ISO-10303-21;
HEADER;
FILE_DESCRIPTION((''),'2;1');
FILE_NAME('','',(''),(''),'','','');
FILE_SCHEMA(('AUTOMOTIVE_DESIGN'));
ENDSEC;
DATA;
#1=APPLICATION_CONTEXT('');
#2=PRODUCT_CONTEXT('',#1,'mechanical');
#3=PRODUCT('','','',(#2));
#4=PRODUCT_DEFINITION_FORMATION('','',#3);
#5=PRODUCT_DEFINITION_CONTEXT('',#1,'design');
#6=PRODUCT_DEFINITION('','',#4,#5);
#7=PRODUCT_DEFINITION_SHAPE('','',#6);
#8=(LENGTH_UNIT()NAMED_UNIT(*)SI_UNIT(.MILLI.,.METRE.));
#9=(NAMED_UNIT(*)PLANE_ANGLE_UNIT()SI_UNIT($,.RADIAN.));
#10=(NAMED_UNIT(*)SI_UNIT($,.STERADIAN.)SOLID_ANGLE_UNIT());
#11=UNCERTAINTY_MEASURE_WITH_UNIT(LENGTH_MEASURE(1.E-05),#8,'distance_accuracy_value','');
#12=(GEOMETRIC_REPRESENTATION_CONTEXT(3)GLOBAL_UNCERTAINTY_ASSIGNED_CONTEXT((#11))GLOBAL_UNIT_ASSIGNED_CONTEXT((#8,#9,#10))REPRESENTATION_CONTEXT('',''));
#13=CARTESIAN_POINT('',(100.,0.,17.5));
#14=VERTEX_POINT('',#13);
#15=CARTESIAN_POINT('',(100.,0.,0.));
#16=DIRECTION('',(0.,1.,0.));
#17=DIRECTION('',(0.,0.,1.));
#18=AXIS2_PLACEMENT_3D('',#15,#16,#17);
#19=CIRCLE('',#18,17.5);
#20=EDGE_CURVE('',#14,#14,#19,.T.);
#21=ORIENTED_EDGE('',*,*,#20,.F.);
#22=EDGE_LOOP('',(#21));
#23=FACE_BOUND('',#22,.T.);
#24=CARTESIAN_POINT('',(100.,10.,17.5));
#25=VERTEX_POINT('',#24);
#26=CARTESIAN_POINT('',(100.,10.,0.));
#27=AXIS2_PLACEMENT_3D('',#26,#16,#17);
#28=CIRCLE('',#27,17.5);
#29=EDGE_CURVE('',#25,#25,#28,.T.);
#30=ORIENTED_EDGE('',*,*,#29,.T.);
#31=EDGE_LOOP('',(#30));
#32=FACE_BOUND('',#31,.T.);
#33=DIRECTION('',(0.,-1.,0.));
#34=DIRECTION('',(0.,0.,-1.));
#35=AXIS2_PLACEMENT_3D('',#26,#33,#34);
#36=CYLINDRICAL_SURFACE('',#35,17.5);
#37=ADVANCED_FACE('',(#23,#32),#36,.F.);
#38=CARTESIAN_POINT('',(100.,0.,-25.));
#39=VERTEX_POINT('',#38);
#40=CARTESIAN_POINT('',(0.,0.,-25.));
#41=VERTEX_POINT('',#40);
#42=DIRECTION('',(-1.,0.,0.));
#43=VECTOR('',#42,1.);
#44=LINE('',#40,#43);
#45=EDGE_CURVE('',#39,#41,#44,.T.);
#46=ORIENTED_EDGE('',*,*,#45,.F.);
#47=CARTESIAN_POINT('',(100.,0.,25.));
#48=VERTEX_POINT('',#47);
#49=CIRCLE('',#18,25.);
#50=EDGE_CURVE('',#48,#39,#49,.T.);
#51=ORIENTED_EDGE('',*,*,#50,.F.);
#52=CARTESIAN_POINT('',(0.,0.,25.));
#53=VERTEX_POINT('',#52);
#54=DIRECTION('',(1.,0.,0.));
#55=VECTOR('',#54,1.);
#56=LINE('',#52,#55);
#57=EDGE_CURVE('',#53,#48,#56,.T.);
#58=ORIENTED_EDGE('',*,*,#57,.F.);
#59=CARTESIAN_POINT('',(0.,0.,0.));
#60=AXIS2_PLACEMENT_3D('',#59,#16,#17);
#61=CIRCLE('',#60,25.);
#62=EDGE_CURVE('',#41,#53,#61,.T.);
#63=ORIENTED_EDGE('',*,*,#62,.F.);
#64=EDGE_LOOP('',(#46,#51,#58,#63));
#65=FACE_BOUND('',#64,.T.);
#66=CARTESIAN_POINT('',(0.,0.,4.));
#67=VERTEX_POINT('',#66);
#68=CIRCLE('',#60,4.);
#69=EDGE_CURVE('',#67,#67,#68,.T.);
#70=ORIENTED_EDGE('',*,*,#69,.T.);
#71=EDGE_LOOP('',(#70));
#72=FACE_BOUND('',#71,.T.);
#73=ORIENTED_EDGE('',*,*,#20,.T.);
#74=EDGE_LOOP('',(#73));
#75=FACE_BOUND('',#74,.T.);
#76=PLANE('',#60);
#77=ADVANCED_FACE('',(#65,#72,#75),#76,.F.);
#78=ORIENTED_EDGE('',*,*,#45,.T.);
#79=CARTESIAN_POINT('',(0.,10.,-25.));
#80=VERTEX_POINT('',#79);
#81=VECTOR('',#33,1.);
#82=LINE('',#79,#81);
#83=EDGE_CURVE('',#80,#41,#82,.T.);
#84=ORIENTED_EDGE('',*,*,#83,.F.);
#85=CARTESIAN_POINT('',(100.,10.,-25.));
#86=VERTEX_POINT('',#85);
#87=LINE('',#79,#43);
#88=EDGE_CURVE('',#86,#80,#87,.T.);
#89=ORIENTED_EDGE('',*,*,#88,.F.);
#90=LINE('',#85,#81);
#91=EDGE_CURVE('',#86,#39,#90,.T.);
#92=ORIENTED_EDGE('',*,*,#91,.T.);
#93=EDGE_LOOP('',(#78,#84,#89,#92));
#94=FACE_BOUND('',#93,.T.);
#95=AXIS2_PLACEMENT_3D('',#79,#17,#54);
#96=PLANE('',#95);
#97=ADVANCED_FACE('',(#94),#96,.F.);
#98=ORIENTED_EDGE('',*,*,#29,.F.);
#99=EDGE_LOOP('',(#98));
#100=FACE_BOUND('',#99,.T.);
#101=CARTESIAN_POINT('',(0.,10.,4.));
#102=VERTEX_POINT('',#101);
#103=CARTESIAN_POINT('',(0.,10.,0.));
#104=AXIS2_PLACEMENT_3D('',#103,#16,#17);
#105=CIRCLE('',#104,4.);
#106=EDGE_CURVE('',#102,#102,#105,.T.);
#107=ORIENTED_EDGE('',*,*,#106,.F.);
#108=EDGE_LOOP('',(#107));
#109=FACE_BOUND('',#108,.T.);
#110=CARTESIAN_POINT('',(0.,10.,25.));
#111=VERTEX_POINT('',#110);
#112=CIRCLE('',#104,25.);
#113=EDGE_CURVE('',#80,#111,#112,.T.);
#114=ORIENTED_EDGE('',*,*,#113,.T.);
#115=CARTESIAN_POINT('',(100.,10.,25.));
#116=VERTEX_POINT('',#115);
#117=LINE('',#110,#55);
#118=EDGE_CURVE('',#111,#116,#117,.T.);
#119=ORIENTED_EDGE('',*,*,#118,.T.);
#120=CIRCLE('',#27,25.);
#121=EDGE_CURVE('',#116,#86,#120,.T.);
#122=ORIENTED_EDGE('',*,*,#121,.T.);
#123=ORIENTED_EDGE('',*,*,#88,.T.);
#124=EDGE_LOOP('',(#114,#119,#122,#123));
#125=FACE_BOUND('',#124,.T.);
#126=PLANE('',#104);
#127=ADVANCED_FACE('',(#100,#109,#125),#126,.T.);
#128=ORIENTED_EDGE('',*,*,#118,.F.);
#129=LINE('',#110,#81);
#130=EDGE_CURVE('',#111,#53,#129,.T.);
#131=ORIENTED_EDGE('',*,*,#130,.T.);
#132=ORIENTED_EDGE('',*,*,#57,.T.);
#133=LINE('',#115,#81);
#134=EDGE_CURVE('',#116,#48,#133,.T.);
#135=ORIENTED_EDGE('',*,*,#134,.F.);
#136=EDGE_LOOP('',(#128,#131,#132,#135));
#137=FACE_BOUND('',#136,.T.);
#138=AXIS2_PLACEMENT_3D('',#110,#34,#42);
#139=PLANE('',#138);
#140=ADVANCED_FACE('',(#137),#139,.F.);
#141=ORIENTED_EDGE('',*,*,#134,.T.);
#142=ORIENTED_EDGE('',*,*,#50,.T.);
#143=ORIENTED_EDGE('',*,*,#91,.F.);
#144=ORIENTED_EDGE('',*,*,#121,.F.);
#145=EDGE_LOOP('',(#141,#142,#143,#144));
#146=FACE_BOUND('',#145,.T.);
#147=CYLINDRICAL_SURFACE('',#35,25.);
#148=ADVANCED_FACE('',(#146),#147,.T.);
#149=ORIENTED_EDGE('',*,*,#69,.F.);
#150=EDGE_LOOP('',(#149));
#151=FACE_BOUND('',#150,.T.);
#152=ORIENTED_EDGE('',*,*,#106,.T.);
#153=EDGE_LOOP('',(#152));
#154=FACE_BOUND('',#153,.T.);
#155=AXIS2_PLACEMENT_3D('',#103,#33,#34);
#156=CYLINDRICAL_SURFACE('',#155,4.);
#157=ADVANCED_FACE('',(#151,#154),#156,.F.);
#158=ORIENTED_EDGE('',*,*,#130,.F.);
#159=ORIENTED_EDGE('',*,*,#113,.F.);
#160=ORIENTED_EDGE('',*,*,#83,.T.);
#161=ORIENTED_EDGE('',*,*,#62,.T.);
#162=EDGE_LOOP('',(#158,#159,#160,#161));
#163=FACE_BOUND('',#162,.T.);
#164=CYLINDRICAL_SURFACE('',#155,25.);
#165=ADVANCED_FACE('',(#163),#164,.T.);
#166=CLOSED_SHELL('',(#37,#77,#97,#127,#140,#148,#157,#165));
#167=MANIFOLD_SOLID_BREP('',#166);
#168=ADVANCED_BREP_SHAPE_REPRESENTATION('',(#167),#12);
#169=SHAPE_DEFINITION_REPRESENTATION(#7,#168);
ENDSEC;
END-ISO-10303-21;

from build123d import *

# Parameters (mm, degrees)
SKETCH1_R           = 4
SKETCH1_R_2         = 17.5
BOSS_EXTRUDE1_DEPTH = 10


with BuildPart() as part:
    # Sketch1 → Boss-Extrude1 (new body)
    with BuildSketch(Plane(origin=(0, 0, 0), x_dir=(1, 0, 0), z_dir=(0, 1, 0))):
        with BuildLine():
            Line((0, 25), (100, 25))
            ThreePointArc((100, 25), (125, 0), (100, -25))
            Line((100, -25), (0, -25))
            ThreePointArc((0, -25), (-25, 0), (0, 25))
        make_face()
        Circle(SKETCH1_R, mode=Mode.SUBTRACT)
        with Locations((100, 0)):
            Circle(SKETCH1_R_2, mode=Mode.SUBTRACT)
    extrude(amount=BOSS_EXTRUDE1_DEPTH)


solid = part.part
